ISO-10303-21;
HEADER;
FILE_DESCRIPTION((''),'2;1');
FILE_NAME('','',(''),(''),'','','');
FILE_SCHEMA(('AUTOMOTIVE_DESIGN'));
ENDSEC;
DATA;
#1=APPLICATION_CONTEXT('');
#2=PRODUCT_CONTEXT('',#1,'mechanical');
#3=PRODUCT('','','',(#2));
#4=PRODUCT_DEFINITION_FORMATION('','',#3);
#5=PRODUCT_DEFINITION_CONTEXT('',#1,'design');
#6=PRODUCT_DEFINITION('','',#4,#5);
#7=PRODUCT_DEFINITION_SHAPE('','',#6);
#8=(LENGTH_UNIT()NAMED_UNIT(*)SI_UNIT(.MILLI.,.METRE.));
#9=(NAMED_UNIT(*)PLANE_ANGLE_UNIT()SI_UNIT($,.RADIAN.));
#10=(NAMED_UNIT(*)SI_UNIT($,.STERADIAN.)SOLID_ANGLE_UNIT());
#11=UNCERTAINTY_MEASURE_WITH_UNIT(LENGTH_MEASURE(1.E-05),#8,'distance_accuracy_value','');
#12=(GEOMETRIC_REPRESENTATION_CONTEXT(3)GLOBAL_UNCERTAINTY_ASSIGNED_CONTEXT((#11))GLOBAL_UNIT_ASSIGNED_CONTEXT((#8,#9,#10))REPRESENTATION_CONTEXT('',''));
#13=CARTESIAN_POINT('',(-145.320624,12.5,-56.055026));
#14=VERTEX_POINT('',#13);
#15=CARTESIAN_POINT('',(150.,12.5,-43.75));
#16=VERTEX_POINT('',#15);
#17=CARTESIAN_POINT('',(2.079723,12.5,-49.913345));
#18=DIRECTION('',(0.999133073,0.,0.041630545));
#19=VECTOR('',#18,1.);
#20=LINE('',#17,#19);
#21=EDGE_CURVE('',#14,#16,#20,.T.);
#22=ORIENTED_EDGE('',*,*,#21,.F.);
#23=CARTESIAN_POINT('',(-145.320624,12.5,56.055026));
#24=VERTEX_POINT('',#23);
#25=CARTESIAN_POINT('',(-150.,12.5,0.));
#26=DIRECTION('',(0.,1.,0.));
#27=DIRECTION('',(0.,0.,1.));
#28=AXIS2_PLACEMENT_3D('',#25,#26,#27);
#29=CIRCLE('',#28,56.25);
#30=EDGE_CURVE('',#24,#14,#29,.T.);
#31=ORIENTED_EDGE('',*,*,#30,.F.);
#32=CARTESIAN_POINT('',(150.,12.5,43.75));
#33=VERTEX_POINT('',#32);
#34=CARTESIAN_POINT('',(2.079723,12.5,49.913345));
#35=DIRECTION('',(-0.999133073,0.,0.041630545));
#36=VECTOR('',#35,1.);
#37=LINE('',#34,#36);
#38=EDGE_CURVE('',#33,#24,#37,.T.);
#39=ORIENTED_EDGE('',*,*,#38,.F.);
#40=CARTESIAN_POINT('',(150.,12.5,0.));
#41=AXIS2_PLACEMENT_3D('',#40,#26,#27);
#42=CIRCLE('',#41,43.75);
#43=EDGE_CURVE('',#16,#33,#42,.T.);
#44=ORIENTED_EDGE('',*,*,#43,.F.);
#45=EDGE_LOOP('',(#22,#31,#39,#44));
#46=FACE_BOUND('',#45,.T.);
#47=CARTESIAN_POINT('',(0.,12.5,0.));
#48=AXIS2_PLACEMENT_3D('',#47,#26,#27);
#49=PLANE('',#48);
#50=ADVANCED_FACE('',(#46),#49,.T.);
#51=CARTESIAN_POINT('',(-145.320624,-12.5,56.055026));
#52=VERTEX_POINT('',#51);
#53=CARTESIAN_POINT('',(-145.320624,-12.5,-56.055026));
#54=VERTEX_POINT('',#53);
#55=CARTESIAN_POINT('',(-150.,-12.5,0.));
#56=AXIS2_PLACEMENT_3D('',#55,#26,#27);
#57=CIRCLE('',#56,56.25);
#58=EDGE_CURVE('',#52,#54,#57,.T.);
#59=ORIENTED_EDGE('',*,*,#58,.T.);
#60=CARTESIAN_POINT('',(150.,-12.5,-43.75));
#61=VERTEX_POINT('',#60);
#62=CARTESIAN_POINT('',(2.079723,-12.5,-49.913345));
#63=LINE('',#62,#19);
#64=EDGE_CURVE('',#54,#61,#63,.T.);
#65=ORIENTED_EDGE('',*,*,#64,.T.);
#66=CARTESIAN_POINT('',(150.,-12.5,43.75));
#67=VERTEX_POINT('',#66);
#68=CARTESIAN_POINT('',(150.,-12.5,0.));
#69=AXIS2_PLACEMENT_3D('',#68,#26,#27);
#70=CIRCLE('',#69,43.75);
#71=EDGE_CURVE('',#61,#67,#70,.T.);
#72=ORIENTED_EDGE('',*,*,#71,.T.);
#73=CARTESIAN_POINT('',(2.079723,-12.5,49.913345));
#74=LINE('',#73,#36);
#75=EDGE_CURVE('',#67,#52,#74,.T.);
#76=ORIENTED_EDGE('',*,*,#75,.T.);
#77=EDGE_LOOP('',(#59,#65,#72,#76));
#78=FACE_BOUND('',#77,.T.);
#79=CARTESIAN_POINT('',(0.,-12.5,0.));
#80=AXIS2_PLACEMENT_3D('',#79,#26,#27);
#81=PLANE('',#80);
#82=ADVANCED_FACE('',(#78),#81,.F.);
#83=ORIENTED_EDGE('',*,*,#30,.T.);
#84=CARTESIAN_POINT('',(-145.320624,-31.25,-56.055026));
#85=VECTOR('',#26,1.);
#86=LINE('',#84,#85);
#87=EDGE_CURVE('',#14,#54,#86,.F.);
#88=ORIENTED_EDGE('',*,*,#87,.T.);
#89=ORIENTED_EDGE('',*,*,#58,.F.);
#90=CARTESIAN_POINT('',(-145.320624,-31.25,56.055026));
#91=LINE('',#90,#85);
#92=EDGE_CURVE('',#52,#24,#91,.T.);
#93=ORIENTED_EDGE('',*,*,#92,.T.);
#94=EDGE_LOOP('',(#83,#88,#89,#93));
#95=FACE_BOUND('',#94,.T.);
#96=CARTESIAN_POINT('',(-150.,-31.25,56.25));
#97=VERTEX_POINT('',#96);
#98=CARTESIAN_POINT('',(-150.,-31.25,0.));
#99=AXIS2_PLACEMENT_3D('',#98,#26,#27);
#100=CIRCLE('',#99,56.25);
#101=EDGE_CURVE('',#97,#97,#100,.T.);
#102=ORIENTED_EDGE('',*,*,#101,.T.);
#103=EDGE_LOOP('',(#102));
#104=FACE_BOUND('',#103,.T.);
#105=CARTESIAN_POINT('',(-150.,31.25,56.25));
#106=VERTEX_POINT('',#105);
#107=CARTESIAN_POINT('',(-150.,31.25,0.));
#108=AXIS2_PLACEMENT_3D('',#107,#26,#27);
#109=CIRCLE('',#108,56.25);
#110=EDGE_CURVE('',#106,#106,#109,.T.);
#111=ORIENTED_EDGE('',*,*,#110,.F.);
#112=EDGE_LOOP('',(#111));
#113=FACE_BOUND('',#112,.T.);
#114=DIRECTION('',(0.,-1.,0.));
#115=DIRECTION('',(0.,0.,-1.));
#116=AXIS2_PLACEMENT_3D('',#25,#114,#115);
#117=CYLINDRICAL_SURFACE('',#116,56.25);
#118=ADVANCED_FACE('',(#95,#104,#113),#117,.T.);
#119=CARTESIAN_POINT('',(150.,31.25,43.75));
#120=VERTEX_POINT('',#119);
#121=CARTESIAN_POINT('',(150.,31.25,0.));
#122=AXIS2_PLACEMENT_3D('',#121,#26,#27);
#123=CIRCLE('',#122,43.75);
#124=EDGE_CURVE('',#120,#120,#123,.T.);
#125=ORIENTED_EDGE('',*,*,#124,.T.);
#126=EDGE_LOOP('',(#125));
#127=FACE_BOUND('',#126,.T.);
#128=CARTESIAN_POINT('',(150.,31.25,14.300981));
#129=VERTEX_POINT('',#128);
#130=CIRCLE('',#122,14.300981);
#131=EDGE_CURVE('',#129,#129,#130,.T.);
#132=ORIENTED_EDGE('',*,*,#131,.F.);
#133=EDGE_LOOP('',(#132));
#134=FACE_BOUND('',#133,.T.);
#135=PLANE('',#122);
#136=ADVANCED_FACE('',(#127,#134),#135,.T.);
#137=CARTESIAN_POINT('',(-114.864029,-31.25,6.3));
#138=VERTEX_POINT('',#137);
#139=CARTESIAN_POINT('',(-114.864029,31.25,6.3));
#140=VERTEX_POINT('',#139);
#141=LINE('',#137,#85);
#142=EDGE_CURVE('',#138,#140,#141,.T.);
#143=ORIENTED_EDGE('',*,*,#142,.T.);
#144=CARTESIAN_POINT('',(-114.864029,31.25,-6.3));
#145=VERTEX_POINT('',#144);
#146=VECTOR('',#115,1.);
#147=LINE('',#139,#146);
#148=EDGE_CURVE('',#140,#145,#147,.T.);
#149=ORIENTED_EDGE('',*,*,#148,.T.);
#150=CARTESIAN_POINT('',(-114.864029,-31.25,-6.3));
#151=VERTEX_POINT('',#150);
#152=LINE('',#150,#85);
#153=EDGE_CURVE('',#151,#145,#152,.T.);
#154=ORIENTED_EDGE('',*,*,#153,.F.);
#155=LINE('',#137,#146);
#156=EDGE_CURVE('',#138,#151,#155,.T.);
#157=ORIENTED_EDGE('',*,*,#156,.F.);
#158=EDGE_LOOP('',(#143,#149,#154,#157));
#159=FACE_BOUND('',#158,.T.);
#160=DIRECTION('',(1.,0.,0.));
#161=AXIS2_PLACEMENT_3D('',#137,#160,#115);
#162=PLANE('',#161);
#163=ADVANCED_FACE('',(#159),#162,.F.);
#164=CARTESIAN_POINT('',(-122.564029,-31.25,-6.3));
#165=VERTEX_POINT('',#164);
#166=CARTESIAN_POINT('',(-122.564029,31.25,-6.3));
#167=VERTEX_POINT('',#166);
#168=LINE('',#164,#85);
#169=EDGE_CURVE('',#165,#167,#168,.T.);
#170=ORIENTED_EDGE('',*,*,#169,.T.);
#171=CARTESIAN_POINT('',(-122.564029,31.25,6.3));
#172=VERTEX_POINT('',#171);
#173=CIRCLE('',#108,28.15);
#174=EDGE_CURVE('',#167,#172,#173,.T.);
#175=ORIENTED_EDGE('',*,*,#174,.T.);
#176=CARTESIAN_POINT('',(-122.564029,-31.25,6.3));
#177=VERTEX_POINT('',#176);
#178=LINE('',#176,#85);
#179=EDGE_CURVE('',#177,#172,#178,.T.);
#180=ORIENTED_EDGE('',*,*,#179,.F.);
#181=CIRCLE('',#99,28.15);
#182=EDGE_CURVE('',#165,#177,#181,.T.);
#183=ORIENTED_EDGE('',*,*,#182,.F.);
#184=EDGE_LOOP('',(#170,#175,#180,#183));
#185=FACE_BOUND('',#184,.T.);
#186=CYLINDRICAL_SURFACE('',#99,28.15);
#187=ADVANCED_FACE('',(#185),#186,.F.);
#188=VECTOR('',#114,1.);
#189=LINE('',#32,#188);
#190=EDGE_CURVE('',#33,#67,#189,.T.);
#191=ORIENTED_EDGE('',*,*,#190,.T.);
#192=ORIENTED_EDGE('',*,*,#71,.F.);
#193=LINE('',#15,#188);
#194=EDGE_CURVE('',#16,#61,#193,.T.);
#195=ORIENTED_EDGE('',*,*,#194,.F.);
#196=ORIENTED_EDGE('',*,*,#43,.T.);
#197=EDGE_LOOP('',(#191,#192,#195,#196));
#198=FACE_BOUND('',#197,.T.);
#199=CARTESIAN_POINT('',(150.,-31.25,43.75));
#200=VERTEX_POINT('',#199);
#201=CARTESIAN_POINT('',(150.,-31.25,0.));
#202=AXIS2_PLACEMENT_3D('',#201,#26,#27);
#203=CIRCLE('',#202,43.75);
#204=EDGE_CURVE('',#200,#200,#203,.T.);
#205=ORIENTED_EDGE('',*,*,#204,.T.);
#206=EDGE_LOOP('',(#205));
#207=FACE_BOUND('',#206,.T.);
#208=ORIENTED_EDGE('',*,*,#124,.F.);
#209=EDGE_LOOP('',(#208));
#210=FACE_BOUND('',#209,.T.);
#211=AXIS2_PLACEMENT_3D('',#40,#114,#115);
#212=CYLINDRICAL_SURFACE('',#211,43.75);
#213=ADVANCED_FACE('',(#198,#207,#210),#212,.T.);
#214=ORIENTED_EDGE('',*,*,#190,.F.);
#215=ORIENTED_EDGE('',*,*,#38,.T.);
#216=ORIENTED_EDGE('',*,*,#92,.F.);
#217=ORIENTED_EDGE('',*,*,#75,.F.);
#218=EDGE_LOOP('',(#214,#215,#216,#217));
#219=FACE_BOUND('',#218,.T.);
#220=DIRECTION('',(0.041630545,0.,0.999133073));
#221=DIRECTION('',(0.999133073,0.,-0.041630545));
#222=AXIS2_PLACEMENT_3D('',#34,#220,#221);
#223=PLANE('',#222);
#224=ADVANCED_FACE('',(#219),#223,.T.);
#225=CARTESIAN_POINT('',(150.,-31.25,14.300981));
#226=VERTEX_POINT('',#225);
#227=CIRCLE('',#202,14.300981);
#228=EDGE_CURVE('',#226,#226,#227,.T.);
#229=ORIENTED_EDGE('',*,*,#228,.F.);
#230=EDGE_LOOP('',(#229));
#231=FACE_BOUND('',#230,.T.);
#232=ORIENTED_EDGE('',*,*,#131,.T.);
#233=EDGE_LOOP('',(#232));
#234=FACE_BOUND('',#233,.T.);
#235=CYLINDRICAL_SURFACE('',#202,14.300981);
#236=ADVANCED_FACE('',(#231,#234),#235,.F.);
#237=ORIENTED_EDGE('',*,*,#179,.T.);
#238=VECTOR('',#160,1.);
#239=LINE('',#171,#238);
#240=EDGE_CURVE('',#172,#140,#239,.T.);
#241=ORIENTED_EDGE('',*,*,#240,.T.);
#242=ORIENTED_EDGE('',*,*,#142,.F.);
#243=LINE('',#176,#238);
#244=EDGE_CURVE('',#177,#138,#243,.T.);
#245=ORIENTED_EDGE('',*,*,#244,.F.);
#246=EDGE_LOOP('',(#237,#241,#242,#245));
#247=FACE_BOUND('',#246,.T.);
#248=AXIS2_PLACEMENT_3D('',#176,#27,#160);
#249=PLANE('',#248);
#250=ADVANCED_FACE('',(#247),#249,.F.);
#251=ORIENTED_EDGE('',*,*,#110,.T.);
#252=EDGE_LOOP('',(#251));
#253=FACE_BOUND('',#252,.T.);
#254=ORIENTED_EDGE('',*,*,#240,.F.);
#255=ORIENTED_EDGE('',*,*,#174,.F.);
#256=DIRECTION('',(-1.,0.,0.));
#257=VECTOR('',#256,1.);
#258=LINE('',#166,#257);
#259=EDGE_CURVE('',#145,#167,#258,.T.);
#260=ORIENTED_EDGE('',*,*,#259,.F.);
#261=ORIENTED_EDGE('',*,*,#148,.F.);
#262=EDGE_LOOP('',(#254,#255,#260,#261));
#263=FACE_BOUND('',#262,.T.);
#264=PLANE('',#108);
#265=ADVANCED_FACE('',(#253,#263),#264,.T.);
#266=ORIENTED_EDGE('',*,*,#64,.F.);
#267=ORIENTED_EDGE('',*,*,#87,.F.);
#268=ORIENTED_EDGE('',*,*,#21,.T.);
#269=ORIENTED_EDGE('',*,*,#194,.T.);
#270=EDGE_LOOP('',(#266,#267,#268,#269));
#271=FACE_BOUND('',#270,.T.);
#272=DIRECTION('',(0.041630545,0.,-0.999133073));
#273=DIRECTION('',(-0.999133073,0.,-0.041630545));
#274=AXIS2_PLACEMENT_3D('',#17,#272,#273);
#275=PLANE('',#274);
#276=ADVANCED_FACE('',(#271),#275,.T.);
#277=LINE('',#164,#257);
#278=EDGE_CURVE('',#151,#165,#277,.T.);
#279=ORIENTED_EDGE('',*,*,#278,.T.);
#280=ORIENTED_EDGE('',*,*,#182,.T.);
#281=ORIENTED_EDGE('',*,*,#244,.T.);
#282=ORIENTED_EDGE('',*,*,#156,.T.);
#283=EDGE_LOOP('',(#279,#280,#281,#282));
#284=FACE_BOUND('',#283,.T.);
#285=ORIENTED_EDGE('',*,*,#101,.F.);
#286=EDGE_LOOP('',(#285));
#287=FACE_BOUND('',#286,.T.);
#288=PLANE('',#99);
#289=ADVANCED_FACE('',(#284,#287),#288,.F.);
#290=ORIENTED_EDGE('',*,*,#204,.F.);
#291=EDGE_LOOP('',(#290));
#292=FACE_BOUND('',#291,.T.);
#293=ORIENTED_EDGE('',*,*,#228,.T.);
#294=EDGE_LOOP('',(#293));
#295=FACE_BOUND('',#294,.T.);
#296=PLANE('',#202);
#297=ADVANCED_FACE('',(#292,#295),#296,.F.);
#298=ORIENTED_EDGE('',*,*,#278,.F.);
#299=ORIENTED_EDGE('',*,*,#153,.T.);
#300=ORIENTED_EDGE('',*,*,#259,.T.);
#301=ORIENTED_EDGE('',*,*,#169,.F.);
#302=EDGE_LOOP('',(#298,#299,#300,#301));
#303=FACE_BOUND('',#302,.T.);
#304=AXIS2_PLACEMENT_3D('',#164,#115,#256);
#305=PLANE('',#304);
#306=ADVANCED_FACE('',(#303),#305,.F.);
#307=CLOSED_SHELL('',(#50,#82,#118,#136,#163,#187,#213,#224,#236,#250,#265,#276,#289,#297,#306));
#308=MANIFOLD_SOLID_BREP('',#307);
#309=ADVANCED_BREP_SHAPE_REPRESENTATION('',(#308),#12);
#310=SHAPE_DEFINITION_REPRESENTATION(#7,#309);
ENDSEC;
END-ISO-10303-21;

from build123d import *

# Parameters (mm, degrees)
SKETCH1_R                = 21.9
BOSS_EXTRUDE3_DEPTH      = 12.5
SKETCH2_R                = 43.75
SKETCH2_R_2              = 56.25
BOSS_EXTRUDE4_DEPTH      = 18.75
BOSS_EXTRUDE4_DEPTH_BACK = 43.75
SKETCH3_R                = 14.300981298
CUT_EXTRUDE1_DEPTH       = 223.731621015


with BuildPart() as part:
    # Sketch1 → Boss-Extrude3 (new, symmetric)
    with BuildSketch(Plane(origin=(0, 0, 0), x_dir=(1, 0, 0), z_dir=(0, 1, 0))):
        with BuildLine():
            Line((-145.320623917, 56.055025997), (-150, 56.25))
            ThreePointArc((-150, 56.25), (-206.25, 0), (-150, -56.25))
            Line((-150, -56.25), (-145.320623917, -56.055025997))
            Line((-145.320623917, -56.055025997), (150, -43.75))
            ThreePointArc((150, -43.75), (193.75, 0), (150, 43.75))
            Line((150, 43.75), (-145.320623917, 56.055025997))
        make_face()
        with BuildLine():
            Line((-122.564029086, 6.3), (-114.864029086, 6.3))
            Line((-114.864029086, 6.3), (-114.864029086, -6.3))
            Line((-114.864029086, -6.3), (-122.564029086, -6.3))
            ThreePointArc((-122.564029086, -6.3), (-178.15, 0), (-122.564029086, 6.3))
        make_face(mode=Mode.SUBTRACT)
        with Locations(Location((150, 0, 0), (0, 0, 270))):
            Circle(SKETCH1_R, mode=Mode.SUBTRACT)
    extrude(amount=BOSS_EXTRUDE3_DEPTH, both=True)

    # Sketch2 → Boss-Extrude4 (add, two sides)
    with BuildSketch(Plane(origin=(0, 12.5, 0), x_dir=(1, 0, 0), z_dir=(0, 1, 0))) as boss_extrude4_sk:
        with Locations(Location((150, 0, 0), (0, 0, 270))):
            Circle(SKETCH2_R)
        with Locations(Location((-150, 0, 0), (0, 0, 270))):
            Circle(SKETCH2_R_2)
    extrude(amount=BOSS_EXTRUDE4_DEPTH)
    extrude(boss_extrude4_sk.sketch, amount=-BOSS_EXTRUDE4_DEPTH_BACK)

    # Sketch3 → Cut-Extrude1 (cut, through all)
    with BuildSketch(Plane(origin=(0, 31.25, 0), x_dir=(1, 0, 0), z_dir=(0, 1, 0))):
        with Locations(Location((150, 0, 0), (0, 0, 270))):
            Circle(SKETCH3_R)
        with BuildLine():
            Line((-114.864029086, -6.3), (-114.864029086, 6.3))
            Line((-114.864029086, 6.3), (-122.564029086, 6.3))
            ThreePointArc((-122.564029086, 6.3), (-178.15, 0), (-122.564029086, -6.3))
            Line((-122.564029086, -6.3), (-114.864029086, -6.3))
        make_face()
    extrude(amount=-CUT_EXTRUDE1_DEPTH, mode=Mode.SUBTRACT)


solid = part.part
